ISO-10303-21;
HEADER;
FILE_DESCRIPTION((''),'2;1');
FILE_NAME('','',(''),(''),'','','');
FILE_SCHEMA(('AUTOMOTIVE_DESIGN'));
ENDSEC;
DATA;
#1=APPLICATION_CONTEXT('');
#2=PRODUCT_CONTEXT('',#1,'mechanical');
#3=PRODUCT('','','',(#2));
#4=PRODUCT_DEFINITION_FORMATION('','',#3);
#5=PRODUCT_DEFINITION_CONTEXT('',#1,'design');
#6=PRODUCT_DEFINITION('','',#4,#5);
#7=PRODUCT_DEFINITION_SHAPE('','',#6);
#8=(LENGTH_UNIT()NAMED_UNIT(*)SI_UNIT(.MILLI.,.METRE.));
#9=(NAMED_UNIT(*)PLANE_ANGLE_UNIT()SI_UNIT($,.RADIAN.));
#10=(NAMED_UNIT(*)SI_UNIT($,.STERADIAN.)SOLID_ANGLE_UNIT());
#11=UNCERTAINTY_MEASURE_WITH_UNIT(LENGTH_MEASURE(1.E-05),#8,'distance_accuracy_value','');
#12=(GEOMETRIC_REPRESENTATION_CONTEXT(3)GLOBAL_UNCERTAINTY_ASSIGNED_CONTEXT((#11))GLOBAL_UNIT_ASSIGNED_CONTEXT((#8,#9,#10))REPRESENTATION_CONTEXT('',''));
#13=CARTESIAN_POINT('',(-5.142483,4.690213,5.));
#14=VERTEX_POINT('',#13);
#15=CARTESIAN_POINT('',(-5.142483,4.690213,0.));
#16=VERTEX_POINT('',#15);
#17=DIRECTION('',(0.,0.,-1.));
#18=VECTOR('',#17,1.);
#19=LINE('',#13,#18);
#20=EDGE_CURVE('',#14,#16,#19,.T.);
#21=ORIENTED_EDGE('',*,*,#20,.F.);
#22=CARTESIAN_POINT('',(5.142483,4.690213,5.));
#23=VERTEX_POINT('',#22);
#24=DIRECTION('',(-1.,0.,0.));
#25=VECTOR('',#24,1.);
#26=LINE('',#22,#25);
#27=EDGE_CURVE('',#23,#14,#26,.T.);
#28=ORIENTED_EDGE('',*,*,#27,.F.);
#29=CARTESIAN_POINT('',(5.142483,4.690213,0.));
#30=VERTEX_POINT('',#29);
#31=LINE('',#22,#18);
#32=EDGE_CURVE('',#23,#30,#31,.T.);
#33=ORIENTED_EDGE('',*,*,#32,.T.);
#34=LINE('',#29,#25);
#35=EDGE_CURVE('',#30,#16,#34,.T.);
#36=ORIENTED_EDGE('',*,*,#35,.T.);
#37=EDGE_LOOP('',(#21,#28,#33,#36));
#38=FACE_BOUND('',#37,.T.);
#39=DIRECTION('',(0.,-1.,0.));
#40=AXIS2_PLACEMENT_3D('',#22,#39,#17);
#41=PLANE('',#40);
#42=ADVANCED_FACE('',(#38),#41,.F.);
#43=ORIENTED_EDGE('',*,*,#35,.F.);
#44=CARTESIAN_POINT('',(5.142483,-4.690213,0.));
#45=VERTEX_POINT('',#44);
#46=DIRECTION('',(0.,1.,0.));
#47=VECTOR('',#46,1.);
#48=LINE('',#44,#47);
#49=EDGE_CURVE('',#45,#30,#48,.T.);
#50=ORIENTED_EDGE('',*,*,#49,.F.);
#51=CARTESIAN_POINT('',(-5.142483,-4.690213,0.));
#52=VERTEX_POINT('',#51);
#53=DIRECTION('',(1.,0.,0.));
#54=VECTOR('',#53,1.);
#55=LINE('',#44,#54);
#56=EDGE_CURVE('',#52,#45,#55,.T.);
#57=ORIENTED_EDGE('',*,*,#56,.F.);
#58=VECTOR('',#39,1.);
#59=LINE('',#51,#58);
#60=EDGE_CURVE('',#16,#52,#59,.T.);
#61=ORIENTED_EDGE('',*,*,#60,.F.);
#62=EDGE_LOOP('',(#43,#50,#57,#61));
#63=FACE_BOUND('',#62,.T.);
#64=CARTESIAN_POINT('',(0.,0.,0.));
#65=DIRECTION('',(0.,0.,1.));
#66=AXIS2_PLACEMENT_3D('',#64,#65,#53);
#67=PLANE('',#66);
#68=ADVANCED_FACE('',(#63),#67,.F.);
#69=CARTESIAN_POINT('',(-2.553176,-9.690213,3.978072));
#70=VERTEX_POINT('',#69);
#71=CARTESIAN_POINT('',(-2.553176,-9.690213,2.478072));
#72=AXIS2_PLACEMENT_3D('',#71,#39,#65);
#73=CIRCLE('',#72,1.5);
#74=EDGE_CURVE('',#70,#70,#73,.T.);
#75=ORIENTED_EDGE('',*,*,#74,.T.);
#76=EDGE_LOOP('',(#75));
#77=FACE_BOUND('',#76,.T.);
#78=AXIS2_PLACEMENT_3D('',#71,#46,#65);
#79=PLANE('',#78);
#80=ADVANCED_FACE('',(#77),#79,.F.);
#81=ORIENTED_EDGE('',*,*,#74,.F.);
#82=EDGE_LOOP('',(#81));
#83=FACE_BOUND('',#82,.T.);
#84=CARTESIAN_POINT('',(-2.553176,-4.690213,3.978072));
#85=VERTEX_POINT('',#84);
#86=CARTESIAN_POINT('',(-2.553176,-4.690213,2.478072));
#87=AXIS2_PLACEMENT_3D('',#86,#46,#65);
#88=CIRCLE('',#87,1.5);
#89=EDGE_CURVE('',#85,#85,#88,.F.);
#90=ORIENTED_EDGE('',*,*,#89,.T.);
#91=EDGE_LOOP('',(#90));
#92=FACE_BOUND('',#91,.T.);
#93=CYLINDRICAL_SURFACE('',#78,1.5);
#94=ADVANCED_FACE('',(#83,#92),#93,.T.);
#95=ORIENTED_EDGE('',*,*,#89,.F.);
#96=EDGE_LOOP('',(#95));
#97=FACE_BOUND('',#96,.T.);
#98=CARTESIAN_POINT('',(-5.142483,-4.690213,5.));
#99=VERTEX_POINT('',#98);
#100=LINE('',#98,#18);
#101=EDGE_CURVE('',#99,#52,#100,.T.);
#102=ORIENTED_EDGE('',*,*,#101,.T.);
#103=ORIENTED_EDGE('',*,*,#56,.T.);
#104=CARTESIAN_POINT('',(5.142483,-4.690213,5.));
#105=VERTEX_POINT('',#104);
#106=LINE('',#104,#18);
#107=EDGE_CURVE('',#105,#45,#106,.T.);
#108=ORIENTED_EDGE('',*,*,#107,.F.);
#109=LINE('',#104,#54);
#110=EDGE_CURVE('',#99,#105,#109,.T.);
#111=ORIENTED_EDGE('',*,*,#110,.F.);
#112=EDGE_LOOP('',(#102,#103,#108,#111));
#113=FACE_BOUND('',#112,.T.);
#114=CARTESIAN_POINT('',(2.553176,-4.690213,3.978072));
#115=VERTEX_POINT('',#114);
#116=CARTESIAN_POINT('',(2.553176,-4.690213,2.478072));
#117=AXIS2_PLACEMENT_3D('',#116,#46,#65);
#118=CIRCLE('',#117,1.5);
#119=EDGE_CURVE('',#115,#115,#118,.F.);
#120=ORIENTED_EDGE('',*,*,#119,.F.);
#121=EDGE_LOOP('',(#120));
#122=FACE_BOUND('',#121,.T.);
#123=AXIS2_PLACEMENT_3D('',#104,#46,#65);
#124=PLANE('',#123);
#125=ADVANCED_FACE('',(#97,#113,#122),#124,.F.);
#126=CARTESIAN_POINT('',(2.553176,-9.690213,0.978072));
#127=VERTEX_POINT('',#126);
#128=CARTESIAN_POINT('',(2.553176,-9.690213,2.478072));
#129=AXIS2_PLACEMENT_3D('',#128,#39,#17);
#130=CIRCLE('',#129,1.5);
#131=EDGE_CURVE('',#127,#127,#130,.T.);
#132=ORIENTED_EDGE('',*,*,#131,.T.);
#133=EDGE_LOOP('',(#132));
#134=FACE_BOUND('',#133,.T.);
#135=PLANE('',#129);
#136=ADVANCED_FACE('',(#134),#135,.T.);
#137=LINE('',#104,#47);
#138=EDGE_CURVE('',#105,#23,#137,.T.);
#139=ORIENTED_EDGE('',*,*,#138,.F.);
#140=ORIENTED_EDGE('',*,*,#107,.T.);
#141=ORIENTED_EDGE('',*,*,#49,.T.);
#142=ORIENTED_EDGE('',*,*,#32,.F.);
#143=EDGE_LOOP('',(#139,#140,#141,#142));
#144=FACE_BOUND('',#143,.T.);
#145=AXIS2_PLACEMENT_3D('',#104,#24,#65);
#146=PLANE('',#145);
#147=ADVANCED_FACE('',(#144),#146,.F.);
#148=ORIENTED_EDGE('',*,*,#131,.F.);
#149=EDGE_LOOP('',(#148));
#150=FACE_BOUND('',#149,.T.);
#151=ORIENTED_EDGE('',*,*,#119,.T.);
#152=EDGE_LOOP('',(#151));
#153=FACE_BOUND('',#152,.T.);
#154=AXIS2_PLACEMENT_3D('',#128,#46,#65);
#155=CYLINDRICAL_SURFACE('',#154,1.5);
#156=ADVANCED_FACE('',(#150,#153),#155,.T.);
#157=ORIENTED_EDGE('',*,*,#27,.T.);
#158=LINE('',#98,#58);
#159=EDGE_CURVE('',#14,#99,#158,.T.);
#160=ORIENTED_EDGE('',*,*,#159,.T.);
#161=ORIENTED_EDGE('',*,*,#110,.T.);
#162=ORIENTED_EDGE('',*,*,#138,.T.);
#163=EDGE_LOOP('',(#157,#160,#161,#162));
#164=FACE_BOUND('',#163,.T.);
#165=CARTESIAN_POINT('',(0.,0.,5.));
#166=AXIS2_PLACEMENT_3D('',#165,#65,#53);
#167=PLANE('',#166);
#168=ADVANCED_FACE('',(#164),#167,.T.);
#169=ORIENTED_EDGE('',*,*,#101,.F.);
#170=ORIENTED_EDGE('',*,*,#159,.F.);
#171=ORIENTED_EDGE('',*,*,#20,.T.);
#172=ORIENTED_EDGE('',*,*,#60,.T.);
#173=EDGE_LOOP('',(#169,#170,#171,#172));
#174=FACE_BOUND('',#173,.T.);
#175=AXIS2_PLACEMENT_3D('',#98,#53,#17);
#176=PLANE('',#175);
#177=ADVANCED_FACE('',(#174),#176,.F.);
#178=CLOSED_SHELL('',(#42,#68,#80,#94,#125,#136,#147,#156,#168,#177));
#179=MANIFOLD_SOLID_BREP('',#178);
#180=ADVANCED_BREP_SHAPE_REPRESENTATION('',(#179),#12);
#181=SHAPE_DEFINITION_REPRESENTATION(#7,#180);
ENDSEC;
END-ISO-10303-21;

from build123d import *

# Parameters (mm, degrees)
SKETCH_1_W      = 10.284966626
SKETCH_1_H      = 9.380426844
EXTRUDE_1_DEPTH = 5
SKETCH_2_R      = 1.5
EXTRUDE_2_DEPTH = 5


with BuildPart() as part:
    # 草图1 → 凸台-拉伸1 (new body)
    with BuildSketch(Plane.XY):
        Rectangle(SKETCH_1_W, SKETCH_1_H)
    extrude(amount=EXTRUDE_1_DEPTH)

    # 草图2 → 凸台-拉伸2 (add)
    with BuildSketch(Plane.XZ.offset(4.690213422)):
        with Locations(Location((2.553176364, 2.478071855, 0), (0, 0, 90))):
            Circle(SKETCH_2_R)
        with Locations(Location((-2.553176364, 2.478071855, 0), (0, 0, 90))):
            Circle(SKETCH_2_R)
    extrude(amount=EXTRUDE_2_DEPTH)


solid = part.part
